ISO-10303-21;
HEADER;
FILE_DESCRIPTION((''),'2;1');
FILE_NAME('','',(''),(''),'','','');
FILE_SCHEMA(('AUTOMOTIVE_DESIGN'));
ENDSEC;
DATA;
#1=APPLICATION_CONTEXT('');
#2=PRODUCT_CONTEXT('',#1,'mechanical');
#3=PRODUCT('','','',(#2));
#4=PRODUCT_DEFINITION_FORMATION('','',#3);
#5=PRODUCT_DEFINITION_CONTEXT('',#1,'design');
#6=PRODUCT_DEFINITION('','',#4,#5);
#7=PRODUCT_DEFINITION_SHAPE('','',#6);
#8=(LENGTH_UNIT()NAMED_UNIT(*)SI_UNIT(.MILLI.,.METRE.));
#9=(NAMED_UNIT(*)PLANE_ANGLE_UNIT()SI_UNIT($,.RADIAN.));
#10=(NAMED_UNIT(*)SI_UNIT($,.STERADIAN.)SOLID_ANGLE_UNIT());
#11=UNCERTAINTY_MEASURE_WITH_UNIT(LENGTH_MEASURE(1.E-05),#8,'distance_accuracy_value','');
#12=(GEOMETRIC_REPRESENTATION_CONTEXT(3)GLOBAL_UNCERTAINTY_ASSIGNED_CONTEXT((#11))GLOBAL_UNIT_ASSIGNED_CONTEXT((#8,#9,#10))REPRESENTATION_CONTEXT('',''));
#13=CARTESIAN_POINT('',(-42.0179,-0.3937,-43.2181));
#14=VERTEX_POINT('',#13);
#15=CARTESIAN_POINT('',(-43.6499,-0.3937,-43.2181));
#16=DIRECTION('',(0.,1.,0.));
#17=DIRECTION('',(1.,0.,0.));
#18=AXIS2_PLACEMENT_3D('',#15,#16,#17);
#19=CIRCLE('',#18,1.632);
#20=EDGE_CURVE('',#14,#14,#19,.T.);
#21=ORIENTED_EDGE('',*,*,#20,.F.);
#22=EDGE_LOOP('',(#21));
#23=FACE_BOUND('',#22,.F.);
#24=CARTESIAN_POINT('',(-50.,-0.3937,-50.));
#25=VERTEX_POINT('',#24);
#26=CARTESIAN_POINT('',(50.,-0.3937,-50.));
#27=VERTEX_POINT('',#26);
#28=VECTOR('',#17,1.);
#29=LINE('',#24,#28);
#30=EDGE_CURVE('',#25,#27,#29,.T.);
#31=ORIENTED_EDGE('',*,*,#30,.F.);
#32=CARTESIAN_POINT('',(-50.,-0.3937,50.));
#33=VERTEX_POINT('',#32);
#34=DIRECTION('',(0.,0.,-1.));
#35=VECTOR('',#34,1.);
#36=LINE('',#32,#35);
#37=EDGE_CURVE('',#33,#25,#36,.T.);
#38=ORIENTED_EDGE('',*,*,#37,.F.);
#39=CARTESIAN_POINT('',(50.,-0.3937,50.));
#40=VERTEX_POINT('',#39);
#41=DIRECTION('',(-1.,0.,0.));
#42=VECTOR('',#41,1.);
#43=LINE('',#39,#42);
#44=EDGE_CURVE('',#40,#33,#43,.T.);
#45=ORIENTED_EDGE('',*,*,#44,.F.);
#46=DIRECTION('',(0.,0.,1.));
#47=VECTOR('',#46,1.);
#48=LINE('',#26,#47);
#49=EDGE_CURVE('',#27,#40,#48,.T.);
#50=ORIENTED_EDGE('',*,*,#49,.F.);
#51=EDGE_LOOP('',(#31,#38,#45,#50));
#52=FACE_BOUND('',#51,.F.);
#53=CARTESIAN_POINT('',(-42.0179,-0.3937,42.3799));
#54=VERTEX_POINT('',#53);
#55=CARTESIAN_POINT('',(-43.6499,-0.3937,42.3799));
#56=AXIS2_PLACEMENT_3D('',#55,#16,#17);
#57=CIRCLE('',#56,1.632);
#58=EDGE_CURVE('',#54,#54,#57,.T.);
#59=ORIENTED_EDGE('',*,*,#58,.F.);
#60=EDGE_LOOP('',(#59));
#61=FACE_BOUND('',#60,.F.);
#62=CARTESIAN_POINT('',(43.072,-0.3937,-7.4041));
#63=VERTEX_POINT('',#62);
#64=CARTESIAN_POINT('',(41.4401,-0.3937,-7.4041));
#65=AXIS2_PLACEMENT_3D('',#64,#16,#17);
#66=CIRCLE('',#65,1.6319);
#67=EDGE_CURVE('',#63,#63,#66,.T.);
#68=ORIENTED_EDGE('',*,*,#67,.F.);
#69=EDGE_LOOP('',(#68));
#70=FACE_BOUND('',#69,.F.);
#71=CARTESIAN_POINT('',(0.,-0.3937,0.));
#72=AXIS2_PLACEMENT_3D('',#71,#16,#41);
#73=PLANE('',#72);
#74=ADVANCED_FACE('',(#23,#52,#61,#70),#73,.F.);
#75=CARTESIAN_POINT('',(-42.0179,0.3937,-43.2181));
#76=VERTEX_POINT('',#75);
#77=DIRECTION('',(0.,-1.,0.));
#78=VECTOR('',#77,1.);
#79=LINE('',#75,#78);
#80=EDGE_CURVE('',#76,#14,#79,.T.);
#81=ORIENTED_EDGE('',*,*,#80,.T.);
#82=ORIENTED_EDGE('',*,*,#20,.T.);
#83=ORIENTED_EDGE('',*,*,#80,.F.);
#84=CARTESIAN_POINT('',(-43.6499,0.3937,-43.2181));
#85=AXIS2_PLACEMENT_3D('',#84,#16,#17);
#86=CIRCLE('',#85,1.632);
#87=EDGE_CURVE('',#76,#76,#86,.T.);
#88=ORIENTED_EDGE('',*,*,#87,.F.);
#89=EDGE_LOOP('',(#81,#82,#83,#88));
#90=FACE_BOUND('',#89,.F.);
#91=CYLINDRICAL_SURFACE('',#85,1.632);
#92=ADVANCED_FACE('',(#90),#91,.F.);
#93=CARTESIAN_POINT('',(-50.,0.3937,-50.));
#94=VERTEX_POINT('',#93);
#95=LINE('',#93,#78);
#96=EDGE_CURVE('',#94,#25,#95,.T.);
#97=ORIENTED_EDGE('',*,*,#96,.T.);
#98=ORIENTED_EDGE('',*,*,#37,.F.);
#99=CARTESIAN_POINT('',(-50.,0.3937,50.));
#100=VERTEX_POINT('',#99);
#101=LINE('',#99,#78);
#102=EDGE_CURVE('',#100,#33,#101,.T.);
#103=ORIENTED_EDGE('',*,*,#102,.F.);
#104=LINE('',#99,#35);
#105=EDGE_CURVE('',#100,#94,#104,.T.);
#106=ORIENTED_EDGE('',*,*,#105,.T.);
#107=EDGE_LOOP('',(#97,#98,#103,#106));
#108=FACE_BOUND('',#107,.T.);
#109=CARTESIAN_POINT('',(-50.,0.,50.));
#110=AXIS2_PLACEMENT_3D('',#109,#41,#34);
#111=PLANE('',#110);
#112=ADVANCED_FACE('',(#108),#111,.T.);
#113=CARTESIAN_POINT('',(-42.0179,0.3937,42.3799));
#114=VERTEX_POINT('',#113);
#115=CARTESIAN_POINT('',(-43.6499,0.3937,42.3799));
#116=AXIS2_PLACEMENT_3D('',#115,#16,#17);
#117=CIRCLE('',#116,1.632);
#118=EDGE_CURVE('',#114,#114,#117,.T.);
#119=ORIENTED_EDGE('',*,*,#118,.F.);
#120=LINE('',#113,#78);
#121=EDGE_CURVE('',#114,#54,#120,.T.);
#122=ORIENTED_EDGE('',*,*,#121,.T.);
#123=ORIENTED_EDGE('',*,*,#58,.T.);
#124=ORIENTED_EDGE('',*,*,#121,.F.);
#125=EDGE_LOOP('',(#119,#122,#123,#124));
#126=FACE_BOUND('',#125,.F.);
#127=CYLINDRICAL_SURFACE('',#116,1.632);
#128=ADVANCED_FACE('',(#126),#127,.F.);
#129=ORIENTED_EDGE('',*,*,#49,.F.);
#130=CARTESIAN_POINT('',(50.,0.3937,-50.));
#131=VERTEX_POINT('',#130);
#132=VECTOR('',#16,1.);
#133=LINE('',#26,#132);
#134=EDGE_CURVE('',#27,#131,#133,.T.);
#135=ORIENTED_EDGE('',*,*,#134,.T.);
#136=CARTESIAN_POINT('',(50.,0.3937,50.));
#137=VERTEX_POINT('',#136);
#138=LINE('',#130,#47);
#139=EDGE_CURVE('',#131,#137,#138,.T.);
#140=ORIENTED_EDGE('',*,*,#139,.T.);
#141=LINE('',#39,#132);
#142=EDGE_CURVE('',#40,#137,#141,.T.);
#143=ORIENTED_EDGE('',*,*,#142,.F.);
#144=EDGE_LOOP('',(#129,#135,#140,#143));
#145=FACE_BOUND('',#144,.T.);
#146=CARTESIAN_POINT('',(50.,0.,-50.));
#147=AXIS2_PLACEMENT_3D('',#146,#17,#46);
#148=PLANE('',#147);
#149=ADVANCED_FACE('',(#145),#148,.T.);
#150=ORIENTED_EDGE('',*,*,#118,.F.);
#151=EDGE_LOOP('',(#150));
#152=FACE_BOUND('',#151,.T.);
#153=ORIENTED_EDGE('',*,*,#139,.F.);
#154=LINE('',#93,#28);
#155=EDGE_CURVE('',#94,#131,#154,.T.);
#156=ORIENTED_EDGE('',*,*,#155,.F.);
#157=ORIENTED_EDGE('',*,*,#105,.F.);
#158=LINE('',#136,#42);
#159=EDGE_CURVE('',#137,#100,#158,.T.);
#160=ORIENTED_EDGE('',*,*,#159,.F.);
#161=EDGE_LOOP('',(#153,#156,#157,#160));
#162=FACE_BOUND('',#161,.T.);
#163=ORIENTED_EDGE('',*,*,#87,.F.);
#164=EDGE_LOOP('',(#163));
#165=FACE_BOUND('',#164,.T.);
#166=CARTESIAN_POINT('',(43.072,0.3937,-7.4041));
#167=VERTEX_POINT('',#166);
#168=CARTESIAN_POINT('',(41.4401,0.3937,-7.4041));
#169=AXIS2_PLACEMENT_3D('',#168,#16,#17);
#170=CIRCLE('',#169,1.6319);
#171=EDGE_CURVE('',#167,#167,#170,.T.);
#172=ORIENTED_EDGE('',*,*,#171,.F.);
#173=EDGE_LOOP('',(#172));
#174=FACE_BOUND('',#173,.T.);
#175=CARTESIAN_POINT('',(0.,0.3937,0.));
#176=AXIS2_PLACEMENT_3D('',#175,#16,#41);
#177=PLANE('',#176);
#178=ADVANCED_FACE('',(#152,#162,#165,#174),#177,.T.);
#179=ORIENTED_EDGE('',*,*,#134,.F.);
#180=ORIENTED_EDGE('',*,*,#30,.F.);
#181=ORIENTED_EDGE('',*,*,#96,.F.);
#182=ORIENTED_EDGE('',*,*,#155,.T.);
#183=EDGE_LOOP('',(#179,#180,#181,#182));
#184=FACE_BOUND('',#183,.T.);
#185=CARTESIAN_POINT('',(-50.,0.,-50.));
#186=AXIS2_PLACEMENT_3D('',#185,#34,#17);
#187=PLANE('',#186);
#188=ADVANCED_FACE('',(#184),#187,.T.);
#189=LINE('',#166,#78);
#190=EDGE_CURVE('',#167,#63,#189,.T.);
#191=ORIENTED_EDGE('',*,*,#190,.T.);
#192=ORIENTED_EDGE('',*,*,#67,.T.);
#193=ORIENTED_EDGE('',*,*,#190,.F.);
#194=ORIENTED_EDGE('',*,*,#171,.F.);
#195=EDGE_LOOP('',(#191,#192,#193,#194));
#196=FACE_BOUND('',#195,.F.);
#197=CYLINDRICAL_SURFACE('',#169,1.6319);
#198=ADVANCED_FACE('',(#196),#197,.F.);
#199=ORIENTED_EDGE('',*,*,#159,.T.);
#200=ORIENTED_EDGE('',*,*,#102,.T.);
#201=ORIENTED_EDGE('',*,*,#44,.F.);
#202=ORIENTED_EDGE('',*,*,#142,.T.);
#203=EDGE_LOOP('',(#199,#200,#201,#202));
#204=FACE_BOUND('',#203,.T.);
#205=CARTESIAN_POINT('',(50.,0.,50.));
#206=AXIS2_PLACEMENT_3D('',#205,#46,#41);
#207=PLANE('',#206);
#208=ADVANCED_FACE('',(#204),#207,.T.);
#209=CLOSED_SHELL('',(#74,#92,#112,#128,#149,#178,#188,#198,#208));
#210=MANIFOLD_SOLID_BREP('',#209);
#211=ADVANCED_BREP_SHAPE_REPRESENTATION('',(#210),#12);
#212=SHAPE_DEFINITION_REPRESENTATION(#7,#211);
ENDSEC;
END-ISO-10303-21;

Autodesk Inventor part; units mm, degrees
ref_plane "YZ Plane" through (0, 0, 0) normal (1, 0, 0) x (0, 1, 0)
ref_plane "XZ Plane" through (0, 0, 0) normal (0, 1, 0) x (-1, 0, 0)
ref_plane "XY Plane" through (0, 0, 0) normal (0, 0, 1) x (1, 0, 0)
sketch "Sketch2" plane through (0, 0, 0) normal (0, 1, 0) x (-1, 0, 0)
  line L0 (-50, 50) -> (50, 50)
  line L1 (50, 50) -> (50, -50)
  line L2 (50, -50) -> (-50, -50)
  line L3 (-50, -50) -> (-50, 50)
  line L4 (-50, 50) -> (50, -50) construction
  line L5 (50, 50) -> (-50, -50) construction
  point P0 (0, 0)
  dimension "d4" = 100
  dimension "d5" = 100
extrude "Extrusion2" add sketch "Sketch2" along normal mid plane 0.7874
sketch "Sketch3" plane through (0, 0.3937, 0) normal (0, 1, 0) x (1, 0, 0)
  circle A0 centre (41.4401, 7.4041) radius 1.6319
  circle A1 centre (-43.6499, -42.3799) radius 1.632
  circle A2 centre (-43.6499, 43.2181) radius 1.632
  point P0 (0, 0)
  dimension "d8" = 3.2639
  dimension "d9" = 3.2639
  dimension "d10" = 3.2639
extrude "Extrusion3" cut sketch "Sketch3" against normal through all
properties part number "4xSplitter"
